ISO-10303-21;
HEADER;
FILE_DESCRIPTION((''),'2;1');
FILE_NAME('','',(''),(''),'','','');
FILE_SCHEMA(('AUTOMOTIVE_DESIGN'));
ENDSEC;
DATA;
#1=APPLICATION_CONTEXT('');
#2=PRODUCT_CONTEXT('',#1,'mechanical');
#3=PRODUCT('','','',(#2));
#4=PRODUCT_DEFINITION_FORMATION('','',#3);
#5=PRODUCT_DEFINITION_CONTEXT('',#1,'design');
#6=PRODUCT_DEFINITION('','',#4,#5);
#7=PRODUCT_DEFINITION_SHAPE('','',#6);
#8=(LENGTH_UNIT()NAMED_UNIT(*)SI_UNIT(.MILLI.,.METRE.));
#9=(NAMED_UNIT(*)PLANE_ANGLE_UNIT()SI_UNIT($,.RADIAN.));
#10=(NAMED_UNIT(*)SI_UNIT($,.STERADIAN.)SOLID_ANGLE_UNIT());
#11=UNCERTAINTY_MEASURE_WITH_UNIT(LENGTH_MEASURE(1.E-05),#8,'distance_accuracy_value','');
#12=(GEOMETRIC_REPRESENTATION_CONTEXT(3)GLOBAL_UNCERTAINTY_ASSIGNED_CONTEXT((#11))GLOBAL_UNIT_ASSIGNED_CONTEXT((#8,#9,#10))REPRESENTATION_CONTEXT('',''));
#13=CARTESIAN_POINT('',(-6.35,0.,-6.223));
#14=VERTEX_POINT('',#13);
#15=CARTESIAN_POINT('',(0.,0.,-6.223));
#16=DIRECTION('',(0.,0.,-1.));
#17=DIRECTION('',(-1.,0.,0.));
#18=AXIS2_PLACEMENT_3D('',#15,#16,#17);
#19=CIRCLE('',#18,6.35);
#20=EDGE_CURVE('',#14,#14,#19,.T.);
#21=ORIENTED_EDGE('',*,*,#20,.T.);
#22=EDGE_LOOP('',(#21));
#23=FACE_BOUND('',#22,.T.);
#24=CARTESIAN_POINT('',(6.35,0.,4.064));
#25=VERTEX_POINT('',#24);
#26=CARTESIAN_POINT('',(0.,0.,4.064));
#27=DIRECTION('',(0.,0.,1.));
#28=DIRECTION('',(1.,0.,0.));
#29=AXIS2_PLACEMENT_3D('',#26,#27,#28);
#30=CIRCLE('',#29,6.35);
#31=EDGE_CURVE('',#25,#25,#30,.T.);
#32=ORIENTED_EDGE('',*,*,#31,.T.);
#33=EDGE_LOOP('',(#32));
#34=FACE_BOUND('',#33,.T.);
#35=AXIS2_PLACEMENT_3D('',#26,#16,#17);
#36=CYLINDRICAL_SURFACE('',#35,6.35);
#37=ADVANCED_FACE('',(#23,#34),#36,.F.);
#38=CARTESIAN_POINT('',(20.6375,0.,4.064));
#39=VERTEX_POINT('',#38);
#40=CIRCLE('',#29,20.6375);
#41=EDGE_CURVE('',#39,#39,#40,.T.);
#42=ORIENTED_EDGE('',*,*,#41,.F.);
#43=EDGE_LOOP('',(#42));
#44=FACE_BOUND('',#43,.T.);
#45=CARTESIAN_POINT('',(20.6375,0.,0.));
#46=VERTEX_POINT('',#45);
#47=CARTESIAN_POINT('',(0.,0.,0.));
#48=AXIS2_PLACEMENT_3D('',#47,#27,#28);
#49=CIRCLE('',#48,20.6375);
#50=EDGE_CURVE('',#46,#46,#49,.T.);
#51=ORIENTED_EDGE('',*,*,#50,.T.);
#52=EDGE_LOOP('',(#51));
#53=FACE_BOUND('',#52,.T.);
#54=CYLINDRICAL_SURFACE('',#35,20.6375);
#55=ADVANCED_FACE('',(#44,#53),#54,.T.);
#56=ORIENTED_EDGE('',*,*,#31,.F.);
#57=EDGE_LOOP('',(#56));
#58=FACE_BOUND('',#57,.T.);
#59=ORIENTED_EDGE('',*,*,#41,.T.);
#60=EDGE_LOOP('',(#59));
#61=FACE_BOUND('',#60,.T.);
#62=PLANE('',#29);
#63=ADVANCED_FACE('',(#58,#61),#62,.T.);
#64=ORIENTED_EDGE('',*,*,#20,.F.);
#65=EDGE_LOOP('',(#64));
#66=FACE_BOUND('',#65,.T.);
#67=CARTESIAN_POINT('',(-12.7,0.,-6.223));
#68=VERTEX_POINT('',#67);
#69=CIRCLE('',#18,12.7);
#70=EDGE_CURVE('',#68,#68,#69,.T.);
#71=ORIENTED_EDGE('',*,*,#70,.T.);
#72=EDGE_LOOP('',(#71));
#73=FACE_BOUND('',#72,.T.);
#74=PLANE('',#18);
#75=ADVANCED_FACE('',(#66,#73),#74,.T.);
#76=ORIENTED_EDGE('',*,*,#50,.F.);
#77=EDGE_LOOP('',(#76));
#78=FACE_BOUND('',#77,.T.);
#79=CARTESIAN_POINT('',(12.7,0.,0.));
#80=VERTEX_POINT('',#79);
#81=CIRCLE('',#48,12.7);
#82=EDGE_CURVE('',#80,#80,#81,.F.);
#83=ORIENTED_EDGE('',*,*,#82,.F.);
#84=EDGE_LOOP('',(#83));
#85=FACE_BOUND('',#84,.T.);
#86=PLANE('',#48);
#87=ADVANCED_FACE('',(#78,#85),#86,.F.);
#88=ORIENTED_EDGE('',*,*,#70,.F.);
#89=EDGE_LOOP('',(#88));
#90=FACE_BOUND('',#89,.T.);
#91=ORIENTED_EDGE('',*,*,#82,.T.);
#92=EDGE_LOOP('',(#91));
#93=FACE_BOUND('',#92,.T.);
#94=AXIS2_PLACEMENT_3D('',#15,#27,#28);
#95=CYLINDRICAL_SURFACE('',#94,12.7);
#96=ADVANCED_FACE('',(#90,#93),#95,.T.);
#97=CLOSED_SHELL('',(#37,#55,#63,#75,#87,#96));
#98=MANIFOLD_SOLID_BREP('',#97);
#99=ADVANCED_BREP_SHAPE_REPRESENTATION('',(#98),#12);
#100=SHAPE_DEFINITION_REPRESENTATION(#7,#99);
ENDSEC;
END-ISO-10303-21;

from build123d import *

# Parameters (mm, degrees)
SKETCH1_R           = 20.6375
SKETCH1_R_2         = 6.35
BOSS_EXTRUDE1_DEPTH = 4.064
SKETCH2_R           = 12.7
SKETCH2_R_2         = 6.35
BOSS_EXTRUDE2_DEPTH = 6.223


with BuildPart() as part:
    # Sketch1 → Boss-Extrude1 (new body)
    with BuildSketch(Plane.XY):
        Circle(SKETCH1_R)
        Circle(SKETCH1_R_2, mode=Mode.SUBTRACT)
    extrude(amount=BOSS_EXTRUDE1_DEPTH)

    # Sketch2 → Boss-Extrude2 (add)
    with BuildSketch(Plane(origin=(0, 0, 0), x_dir=(-1, 0, 0), z_dir=(0, 0, -1))):
        Circle(SKETCH2_R)
        Circle(SKETCH2_R_2, mode=Mode.SUBTRACT)
    extrude(amount=BOSS_EXTRUDE2_DEPTH)


solid = part.part
